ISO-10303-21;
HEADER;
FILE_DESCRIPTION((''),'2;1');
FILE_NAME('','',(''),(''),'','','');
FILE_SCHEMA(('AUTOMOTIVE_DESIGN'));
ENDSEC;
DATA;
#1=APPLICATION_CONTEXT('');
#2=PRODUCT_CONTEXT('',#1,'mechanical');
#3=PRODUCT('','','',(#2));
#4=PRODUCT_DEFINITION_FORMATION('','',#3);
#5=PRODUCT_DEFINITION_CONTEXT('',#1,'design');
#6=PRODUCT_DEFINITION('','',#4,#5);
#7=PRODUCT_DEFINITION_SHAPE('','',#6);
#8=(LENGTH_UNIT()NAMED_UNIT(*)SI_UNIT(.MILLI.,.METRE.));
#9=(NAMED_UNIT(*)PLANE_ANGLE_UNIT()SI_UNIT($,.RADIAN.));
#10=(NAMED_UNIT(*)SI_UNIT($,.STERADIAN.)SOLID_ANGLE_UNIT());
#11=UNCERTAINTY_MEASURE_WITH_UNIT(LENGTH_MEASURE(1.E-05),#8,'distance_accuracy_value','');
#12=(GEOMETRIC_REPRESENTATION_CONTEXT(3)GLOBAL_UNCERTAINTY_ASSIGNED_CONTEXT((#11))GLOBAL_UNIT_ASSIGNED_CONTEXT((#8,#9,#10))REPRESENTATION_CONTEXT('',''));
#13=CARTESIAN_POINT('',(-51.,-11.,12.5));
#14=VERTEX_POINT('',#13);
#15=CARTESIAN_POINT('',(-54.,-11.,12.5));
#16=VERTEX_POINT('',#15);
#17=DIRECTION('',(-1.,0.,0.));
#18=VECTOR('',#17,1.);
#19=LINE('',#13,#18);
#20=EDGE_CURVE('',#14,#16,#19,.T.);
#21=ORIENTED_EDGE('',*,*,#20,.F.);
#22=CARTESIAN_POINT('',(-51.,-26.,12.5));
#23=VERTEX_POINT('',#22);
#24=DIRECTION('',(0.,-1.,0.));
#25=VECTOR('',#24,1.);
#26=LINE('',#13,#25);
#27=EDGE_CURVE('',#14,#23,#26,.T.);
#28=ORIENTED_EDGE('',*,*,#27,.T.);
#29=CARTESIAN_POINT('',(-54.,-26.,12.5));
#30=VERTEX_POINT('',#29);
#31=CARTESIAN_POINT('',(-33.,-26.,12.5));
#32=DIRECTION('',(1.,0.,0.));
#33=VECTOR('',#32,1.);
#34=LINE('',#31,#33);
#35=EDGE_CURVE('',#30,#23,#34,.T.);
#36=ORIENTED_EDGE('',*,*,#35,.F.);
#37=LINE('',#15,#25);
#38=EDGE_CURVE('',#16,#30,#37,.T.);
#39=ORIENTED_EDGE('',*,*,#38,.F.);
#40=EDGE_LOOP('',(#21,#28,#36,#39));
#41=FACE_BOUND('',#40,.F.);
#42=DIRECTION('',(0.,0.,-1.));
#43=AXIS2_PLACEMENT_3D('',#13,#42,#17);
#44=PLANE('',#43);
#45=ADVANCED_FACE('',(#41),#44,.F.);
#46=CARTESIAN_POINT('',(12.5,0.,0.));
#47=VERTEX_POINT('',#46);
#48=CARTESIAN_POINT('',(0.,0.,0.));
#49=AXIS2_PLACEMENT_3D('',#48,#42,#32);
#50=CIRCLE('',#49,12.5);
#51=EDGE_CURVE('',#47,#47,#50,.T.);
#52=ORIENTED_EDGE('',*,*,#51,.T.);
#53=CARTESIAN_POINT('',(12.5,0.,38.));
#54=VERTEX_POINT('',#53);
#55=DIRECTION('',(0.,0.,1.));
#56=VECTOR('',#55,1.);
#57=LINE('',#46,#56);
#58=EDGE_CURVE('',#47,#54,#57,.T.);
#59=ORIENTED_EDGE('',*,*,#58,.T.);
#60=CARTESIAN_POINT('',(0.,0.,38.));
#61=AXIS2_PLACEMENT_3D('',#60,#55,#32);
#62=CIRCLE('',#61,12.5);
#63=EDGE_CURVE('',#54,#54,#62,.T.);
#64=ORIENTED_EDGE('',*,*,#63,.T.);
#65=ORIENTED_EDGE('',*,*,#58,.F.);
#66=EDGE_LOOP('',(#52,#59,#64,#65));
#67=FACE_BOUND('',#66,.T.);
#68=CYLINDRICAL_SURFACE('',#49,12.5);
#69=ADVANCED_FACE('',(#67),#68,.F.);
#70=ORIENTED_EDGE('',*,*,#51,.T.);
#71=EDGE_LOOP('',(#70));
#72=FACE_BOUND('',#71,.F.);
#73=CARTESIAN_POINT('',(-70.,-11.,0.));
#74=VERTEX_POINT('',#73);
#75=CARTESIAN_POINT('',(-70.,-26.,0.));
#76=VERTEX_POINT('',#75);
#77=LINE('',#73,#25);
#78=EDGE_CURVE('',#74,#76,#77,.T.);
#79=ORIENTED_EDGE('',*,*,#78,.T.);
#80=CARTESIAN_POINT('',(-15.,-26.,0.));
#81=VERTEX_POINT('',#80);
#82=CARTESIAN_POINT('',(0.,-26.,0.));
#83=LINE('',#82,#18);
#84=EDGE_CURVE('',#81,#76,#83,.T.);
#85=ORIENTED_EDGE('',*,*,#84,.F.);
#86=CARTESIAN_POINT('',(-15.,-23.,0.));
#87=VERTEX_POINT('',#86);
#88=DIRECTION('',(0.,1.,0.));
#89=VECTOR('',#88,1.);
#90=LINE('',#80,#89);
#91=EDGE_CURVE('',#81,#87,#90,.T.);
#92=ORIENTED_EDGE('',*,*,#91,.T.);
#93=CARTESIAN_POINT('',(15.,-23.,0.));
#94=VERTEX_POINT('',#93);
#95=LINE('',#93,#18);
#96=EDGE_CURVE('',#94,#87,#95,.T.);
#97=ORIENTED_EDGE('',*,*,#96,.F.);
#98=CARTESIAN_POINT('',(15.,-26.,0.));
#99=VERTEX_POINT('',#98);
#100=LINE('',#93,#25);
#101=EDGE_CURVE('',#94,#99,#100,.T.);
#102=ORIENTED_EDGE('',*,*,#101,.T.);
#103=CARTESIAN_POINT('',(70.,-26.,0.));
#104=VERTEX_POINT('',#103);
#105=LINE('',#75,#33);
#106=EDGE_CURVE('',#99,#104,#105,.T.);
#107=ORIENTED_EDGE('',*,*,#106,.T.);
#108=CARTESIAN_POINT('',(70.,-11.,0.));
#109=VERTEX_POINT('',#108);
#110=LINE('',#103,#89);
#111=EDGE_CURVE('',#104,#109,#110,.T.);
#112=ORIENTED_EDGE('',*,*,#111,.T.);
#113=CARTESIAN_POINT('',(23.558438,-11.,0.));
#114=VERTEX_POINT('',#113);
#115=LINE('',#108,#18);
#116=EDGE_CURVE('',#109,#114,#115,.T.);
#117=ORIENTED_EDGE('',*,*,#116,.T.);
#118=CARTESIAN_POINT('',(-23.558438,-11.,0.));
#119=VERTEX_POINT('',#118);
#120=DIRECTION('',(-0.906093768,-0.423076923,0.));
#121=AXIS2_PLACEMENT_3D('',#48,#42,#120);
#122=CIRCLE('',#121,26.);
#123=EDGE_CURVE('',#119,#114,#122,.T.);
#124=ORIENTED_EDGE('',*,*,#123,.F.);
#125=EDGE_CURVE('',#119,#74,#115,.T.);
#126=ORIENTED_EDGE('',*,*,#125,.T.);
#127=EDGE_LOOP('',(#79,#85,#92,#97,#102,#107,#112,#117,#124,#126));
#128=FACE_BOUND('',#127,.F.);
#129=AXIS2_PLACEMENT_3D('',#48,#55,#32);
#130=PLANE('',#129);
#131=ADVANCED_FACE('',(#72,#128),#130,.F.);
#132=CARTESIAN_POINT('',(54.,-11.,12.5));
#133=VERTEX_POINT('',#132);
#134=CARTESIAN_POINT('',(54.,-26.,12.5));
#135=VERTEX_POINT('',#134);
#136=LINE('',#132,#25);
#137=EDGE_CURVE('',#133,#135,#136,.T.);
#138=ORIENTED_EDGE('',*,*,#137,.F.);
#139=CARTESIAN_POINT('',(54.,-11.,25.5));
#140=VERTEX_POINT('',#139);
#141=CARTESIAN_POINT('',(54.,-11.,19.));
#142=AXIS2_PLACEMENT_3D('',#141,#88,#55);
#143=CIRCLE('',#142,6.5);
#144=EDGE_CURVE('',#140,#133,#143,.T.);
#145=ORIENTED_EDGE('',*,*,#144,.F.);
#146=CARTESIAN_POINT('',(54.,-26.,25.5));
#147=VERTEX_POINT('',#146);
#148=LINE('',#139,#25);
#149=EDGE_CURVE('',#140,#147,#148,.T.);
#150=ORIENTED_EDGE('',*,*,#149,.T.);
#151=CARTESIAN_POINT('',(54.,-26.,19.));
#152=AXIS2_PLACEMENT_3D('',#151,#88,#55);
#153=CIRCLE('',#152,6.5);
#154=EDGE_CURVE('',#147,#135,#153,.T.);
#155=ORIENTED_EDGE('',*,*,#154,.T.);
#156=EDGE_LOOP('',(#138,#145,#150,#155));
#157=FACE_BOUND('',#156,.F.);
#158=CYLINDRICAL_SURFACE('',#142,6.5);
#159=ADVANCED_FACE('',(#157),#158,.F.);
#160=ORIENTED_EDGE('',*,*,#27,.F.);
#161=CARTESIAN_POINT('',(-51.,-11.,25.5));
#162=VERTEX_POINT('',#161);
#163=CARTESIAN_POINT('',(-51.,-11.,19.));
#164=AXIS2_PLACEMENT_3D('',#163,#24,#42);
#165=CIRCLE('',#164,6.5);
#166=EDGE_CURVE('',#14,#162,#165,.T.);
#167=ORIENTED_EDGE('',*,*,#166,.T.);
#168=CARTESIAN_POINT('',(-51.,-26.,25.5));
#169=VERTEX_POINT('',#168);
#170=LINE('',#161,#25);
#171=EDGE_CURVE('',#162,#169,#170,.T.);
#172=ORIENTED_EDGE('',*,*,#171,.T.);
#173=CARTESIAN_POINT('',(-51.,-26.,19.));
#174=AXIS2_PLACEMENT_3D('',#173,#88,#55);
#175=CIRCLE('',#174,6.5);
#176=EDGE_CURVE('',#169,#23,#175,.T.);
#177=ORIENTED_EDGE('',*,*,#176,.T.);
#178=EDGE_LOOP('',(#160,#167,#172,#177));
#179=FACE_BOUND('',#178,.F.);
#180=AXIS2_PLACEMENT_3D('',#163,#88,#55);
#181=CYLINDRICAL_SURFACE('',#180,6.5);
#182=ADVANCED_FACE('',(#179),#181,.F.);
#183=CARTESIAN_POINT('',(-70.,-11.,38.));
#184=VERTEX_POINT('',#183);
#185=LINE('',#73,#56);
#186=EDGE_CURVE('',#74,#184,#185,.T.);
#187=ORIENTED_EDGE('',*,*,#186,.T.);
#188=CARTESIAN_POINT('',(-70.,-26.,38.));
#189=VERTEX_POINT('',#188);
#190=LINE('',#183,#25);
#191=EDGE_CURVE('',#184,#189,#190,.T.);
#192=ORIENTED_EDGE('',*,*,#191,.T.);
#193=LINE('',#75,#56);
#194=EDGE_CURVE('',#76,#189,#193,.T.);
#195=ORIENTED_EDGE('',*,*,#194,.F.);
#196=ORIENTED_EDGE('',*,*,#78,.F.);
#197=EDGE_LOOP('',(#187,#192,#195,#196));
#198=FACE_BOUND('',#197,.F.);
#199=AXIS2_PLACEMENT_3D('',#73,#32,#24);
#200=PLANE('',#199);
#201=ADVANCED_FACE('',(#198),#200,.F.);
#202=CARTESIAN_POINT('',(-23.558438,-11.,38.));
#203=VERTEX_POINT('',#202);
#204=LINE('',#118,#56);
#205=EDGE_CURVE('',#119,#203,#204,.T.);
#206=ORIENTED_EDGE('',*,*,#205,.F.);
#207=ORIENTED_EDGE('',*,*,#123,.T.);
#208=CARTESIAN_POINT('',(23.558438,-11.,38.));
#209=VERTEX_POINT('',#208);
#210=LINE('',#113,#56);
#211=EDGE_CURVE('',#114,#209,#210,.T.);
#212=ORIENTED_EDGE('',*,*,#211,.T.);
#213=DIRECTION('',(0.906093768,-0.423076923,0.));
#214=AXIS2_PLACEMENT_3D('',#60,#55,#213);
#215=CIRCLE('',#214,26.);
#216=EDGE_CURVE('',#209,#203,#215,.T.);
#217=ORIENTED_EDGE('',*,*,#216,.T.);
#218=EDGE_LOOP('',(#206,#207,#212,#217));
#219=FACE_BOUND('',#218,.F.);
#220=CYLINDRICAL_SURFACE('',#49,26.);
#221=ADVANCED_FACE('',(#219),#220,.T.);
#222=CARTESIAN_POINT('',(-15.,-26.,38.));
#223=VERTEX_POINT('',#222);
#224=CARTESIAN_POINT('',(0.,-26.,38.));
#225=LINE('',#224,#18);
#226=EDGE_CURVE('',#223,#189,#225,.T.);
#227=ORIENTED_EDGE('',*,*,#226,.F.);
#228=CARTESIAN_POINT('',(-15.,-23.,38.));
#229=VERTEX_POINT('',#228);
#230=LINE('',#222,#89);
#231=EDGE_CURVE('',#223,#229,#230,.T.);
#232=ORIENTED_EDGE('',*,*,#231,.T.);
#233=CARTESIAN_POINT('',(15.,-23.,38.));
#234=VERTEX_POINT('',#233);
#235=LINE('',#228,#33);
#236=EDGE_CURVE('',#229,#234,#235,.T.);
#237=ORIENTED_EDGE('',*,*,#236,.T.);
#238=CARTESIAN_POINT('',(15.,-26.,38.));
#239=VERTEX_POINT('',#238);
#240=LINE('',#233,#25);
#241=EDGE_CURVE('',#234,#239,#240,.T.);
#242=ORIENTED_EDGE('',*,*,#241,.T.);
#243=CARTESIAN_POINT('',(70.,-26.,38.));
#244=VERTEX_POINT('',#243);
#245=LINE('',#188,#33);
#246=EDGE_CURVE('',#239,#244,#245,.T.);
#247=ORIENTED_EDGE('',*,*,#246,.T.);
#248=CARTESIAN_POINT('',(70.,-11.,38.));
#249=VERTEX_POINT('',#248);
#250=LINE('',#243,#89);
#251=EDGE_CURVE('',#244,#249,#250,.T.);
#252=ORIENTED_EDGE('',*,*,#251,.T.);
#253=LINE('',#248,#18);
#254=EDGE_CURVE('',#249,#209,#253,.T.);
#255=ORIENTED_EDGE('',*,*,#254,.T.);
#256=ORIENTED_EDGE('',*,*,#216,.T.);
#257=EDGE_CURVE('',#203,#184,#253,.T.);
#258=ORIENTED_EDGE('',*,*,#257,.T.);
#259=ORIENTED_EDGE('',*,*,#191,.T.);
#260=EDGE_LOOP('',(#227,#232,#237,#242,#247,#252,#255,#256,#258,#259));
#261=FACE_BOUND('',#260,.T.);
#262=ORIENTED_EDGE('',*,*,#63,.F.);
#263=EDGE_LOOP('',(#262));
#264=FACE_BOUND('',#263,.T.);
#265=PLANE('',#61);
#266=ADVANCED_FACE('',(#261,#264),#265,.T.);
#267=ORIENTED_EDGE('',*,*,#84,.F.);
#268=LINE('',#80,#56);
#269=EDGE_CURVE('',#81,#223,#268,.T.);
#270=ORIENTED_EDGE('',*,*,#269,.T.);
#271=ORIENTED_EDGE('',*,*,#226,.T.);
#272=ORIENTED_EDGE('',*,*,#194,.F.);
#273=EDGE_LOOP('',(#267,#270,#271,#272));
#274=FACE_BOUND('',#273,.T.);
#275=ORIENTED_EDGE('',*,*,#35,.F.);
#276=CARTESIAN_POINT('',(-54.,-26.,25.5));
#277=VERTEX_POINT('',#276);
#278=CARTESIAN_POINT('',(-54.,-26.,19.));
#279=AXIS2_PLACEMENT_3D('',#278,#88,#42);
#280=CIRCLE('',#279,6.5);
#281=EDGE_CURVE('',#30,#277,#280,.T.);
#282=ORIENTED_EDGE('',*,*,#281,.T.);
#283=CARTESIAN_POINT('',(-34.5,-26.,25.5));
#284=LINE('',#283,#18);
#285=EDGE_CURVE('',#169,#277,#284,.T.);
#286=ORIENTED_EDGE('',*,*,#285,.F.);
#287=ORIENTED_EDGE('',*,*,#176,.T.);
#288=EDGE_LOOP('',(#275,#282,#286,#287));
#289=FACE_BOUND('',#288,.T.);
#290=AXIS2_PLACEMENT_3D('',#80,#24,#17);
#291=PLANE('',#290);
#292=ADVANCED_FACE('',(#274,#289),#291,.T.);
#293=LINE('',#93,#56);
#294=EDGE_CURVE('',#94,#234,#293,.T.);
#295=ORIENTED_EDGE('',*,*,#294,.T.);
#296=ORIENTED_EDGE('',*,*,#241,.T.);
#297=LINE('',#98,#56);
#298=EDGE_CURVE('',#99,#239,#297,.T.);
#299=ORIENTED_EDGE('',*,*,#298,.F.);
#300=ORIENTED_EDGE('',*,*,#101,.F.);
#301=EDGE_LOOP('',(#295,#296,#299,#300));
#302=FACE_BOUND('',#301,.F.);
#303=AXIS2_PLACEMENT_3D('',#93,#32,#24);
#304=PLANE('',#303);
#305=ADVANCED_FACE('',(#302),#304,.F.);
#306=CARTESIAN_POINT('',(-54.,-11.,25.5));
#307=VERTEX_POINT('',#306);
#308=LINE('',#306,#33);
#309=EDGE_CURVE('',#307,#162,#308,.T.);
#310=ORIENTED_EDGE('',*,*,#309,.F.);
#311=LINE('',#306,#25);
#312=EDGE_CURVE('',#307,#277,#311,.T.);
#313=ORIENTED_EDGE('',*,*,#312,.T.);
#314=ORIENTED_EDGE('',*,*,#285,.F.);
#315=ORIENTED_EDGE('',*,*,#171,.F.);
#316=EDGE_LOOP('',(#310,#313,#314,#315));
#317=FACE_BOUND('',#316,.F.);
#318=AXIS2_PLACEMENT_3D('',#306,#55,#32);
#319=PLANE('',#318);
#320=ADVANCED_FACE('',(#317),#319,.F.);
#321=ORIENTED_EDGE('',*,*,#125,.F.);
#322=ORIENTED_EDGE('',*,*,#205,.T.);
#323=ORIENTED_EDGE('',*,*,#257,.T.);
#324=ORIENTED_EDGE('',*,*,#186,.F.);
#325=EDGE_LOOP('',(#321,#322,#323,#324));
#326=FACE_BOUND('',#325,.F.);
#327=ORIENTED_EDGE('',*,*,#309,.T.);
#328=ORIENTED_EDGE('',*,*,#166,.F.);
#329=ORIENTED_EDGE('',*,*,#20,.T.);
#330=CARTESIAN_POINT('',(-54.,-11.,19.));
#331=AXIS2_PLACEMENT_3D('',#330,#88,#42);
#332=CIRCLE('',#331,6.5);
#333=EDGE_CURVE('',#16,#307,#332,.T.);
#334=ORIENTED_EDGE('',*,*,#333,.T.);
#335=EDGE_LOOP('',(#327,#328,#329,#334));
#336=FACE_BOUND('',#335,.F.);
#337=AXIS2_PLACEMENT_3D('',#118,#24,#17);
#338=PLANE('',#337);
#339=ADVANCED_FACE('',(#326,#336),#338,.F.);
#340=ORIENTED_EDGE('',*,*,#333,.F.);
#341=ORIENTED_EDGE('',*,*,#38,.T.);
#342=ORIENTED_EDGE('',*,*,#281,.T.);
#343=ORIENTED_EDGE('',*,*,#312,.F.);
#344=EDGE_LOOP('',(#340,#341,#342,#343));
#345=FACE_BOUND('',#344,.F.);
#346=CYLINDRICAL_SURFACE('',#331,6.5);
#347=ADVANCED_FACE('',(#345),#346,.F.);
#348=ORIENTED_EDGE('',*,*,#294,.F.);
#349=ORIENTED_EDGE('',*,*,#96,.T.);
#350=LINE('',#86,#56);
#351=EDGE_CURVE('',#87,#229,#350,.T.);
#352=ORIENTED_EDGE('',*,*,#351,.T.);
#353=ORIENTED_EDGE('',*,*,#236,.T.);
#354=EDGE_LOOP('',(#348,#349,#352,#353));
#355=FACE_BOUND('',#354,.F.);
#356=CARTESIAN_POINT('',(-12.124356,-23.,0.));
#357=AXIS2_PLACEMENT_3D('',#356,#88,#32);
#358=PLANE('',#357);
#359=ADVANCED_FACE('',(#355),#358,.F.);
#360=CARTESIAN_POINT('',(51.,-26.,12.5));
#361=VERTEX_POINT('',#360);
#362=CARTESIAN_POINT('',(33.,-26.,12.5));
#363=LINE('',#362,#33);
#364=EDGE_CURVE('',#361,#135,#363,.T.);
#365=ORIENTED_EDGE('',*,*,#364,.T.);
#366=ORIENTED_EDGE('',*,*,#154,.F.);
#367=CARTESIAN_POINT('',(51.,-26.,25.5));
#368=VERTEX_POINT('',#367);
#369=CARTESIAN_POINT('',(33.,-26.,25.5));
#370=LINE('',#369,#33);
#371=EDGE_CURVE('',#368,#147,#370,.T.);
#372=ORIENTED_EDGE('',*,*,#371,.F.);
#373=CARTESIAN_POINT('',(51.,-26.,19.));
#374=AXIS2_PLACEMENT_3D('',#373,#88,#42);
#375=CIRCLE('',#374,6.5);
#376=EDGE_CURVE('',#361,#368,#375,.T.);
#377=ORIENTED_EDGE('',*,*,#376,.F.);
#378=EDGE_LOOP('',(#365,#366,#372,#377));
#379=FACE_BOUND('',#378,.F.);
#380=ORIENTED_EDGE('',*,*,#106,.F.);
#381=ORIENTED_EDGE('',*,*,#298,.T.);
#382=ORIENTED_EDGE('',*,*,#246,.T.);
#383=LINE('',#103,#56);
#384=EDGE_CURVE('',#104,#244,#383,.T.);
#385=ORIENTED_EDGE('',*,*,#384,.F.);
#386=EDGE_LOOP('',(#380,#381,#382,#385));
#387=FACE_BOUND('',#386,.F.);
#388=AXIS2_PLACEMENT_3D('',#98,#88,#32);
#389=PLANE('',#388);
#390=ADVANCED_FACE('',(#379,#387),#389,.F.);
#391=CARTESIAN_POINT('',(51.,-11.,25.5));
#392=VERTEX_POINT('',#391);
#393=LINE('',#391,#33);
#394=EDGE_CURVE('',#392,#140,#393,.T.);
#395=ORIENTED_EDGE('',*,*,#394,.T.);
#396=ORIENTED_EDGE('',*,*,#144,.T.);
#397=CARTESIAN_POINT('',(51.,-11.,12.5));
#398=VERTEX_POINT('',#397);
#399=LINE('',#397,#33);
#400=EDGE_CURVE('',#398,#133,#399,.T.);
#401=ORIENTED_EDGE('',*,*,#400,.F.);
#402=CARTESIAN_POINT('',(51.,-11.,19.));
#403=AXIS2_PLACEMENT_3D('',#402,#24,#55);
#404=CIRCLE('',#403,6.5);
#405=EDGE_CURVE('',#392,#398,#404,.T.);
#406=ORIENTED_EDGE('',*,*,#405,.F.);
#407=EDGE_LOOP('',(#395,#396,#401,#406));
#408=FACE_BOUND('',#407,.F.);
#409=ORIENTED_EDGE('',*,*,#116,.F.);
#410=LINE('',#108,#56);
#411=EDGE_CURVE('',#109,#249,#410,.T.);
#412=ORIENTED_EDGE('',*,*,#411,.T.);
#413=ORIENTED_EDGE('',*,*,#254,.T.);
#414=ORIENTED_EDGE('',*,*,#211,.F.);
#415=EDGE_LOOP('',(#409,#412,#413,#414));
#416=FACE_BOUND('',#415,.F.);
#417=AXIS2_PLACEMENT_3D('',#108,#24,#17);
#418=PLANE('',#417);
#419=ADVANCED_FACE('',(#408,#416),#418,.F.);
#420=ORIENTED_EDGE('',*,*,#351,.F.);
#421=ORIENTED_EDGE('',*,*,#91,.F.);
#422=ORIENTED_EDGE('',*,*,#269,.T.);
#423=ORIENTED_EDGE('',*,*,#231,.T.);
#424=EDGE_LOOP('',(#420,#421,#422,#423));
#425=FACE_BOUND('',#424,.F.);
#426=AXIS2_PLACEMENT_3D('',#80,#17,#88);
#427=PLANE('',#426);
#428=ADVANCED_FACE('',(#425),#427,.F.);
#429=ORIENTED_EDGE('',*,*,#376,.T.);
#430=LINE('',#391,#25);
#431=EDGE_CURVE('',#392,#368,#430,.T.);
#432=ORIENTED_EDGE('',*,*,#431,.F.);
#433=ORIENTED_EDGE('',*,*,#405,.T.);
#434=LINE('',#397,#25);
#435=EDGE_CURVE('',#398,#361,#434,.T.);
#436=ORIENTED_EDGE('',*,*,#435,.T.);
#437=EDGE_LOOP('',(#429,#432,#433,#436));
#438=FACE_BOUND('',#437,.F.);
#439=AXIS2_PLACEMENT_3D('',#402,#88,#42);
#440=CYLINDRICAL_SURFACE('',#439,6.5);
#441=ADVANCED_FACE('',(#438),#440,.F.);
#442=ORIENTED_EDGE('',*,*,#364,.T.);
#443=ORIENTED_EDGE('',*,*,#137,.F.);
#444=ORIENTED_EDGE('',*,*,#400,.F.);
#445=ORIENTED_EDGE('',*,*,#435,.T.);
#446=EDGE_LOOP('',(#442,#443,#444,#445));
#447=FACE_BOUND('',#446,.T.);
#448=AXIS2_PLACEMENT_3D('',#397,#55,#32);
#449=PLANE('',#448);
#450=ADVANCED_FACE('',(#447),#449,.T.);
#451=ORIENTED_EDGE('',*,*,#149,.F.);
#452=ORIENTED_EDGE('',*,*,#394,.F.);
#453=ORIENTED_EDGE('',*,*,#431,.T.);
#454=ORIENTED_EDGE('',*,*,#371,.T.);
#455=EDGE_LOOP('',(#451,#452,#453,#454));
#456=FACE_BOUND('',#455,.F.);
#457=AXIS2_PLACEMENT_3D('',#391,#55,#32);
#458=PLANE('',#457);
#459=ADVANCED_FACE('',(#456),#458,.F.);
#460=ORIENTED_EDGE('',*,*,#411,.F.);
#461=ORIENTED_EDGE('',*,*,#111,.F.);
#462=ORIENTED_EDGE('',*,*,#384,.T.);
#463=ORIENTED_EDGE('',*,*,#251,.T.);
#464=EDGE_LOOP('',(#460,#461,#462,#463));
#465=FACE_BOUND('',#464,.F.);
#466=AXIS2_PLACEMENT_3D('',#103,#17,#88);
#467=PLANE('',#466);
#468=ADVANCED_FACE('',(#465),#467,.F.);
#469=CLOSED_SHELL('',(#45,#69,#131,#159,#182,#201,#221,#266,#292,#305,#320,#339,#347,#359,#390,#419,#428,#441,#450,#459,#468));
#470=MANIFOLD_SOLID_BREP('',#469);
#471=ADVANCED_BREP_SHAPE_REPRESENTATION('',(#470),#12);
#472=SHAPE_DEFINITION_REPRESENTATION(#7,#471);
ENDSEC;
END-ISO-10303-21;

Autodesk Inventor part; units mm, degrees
ref_plane "YZ Plane" through (0, 0, 0) normal (1, 0, 0) x (0, 1, 0)
ref_plane "XZ Plane" through (0, 0, 0) normal (0, 1, 0) x (-1, 0, 0)
ref_plane "XY Plane" through (0, 0, 0) normal (0, 0, 1) x (1, 0, 0)
sketch "Эскиз1" plane through (0, 0, 0) normal (0, 0, 1) x (1, 0, 0)
  circle A0 centre (0, 0) radius 12.5
  circle A1 centre (0, 0) radius 26
  line L0 (0, -26) -> (-70, -26)
  line L1 (-70, -26) -> (70, -26)
  line L2 (70, -26) -> (70, -11)
  line L3 (70, -11) -> (-70, -11)
  line L4 (-70, -11) -> (-70, -26)
  line L5 (0, -26) -> (-15, -26)
  line L6 (-15, -26) -> (-15, -23)
  line L7 (-15, -23) -> (15, -23)
  line L8 (15, -23) -> (15, -26)
  point P0 (23.5584, -11)
  point P1 (-23.5584, -11)
  dimension "d1" = 52
  dimension "d0" = 25
  dimension "d2" = 70
  dimension "d5" = 15
  dimension "d6" = 15
  dimension "d7" = 3
  dimension "d8" = 30
extrude "Выдавливание1" add sketch "Эскиз1" along normal blind 38 contours A0 L3 A1 | A0 L3 A1 L7 | A1 L7 L6 L0 L4 L3 | L3 L2 L1 L8 L7 A1
sketch "Эскиз2" plane through (-70, -11, 0) normal (0, 1, 0) x (1, 0, 0)
  line L0 (0, 0) -> (0, -38) projected
  line L1 (85, 0) -> (140, 0) projected
  line L2 (0, -38) -> (140, -38)
  line L3 (140, -38) -> (140, 0)
  line L4 (140, 0) -> (0, 0)
  line L5 (0, 0) -> (0, -38)
  line L6 (70, 0) -> (70, -38)
  line L7 (70, -19) -> (122.5, -19)
  line L8 (122.5, -19) -> (17.5, -19)
  line L9 (17.5, -19) -> (19, -19)
  line L10 (19, -19) -> (16, -19)
  arc A0 (16, -12.5) -> (16, -25.5) centre (16, -19) ccw
  arc A1 (19, -25.5) -> (19, -12.5) centre (19, -19) ccw
  line L11 (16, -25.5) -> (19, -25.5)
  line L12 (19, -12.5) -> (16, -12.5)
  line L13 (122.5, -19) -> (121, -19)
  line L14 (121, -19) -> (124, -19)
  arc A2 (124, -25.5) -> (124, -12.5) centre (124, -19) ccw
  arc A3 (121, -12.5) -> (121, -25.5) centre (121, -19) ccw
  line L15 (121, -25.5) -> (124, -25.5)
  line L16 (121, -12.5) -> (124, -12.5)
  dimension "d11" = 52.5
  dimension "d12" = 105
  dimension "d13" = 1.5
  dimension "d14" = 3
  dimension "d15" = 13
  dimension "d16" = 1.5
  dimension "d17" = 3
extrude "Выдавливание2" cut sketch "Эскиз2" against normal blind 53.75 contours A1 L11 A0 L12 | A3 L16 A2 L15
properties part number "Подшипник качения 25 мм ГОСТ 8338-75"
